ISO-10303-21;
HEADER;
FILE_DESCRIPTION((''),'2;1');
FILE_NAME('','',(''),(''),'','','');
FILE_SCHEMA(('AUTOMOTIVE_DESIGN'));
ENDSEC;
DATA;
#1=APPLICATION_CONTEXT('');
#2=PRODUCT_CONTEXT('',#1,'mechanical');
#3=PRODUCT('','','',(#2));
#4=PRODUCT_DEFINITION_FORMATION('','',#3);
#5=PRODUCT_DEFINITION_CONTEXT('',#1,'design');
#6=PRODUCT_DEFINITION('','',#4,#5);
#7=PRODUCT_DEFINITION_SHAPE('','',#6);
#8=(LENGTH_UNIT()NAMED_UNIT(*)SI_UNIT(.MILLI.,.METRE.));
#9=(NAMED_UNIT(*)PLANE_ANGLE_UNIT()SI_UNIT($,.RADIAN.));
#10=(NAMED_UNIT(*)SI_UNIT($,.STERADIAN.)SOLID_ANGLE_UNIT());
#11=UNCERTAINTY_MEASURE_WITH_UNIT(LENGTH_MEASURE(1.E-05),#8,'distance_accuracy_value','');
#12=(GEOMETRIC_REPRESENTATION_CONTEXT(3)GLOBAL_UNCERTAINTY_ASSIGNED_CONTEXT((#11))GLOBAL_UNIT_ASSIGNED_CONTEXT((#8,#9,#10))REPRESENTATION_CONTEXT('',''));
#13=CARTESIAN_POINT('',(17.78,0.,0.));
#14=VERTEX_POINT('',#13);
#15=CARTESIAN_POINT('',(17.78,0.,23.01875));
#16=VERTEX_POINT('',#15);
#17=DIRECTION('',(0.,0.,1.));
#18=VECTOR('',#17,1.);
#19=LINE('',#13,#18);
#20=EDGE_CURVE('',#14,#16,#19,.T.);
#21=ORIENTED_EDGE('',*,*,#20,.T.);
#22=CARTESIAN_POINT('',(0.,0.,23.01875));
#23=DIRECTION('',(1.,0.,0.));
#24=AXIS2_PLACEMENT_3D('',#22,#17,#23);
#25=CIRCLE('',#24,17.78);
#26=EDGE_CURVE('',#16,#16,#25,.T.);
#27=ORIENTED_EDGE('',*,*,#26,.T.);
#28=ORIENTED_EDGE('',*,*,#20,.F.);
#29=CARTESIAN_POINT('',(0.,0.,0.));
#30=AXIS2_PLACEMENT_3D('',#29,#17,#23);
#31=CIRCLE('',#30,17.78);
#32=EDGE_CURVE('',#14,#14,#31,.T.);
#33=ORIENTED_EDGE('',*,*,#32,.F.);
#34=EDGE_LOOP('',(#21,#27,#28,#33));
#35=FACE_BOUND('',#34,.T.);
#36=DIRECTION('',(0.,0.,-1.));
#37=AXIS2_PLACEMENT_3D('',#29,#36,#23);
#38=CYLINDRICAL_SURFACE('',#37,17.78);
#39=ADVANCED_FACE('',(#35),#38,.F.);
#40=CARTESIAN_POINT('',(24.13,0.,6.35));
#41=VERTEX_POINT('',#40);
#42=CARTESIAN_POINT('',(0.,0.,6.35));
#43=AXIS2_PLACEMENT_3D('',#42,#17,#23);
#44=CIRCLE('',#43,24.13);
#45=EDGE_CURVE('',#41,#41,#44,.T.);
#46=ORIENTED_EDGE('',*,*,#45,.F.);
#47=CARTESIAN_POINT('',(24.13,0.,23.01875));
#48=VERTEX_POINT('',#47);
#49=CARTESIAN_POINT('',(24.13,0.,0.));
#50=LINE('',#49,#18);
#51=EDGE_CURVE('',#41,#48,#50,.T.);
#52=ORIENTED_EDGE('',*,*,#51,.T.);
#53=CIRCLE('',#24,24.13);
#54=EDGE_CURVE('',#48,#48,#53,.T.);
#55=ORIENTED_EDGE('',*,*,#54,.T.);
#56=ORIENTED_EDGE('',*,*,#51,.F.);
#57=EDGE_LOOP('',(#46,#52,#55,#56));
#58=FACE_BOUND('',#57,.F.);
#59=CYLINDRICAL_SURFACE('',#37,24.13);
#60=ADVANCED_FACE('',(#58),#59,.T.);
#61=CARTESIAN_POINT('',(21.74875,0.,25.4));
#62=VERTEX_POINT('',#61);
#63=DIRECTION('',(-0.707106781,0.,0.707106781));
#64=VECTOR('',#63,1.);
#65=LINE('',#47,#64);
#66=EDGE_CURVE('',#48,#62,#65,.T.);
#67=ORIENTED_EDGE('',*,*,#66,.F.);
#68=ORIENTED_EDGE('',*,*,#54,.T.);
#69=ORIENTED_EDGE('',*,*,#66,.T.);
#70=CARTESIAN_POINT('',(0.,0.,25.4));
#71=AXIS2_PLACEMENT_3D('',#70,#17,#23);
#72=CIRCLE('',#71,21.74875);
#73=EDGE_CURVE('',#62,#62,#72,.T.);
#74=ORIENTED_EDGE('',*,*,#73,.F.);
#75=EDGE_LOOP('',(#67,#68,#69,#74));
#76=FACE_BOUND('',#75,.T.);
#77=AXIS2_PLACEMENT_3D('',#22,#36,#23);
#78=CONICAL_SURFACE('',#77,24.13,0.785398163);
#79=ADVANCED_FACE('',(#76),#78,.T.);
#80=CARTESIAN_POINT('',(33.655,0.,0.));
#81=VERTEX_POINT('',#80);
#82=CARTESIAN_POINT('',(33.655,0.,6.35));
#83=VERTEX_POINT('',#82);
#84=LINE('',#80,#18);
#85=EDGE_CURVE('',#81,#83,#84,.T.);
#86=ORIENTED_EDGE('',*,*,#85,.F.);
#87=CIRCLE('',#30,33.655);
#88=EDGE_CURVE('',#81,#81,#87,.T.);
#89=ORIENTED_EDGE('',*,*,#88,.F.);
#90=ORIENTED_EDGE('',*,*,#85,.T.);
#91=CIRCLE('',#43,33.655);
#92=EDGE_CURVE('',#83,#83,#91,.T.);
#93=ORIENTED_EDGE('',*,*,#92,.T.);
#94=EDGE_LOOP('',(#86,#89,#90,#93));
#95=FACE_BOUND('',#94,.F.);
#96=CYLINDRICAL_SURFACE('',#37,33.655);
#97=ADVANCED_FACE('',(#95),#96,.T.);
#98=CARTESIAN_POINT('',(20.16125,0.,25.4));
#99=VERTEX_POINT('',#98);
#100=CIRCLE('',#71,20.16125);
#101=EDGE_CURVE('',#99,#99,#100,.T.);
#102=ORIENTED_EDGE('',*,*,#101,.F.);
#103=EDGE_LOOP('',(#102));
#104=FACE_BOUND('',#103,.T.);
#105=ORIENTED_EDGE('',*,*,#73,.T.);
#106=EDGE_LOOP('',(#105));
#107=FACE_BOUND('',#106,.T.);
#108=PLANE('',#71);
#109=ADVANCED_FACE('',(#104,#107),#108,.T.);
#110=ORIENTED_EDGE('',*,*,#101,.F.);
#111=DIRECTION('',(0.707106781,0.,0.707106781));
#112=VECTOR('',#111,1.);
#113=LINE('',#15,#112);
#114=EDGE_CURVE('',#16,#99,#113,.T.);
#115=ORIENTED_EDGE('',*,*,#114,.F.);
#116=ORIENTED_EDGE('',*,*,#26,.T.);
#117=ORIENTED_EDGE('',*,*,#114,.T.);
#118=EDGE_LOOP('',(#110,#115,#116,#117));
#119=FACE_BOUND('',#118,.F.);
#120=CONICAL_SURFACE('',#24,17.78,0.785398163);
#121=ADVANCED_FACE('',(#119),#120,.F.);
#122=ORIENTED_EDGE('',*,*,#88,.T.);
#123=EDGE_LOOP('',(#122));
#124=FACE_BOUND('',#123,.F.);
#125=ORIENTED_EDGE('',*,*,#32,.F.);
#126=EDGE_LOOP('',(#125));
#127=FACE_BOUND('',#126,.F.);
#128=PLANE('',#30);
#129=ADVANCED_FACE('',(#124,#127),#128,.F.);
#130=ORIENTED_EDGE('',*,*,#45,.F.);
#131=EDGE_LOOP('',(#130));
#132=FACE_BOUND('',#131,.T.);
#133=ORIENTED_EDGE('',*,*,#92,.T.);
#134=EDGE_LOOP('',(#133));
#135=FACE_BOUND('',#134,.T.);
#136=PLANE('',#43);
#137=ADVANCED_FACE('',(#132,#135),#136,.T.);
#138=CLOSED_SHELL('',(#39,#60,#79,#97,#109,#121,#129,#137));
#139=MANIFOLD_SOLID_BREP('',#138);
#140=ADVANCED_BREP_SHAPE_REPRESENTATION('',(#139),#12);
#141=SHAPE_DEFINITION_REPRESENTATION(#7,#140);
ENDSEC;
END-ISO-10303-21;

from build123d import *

# Parameters (mm, degrees)
F0_R     = 24.13
F0_R_2   = 17.78
F1_DEPTH = 25.4
F2_R     = 33.655
F2_R_2   = 24.13
F3_DEPTH = 6.35
F4_SIZE  = 2.38125


with BuildPart() as f1:
    # F0 (on Top) → F1 (new body)
    with BuildSketch(Plane.XY):
        Circle(F0_R)
        Circle(F0_R_2, mode=Mode.SUBTRACT)
    extrude(amount=F1_DEPTH)

    # F2 (on Top) → F3 (join)
    with BuildSketch(Plane.XY):
        Circle(F2_R)
        Circle(F2_R_2, mode=Mode.SUBTRACT)
    extrude(amount=F3_DEPTH)

    # F4
    f4_edges = [f1.edges().sort_by_distance(p)[0] for p in [
        (-24.13, 0, 25.4),
        (-17.78, 0, 25.4),
    ]]
    chamfer(f4_edges, length=F4_SIZE)


solid = f1.part
